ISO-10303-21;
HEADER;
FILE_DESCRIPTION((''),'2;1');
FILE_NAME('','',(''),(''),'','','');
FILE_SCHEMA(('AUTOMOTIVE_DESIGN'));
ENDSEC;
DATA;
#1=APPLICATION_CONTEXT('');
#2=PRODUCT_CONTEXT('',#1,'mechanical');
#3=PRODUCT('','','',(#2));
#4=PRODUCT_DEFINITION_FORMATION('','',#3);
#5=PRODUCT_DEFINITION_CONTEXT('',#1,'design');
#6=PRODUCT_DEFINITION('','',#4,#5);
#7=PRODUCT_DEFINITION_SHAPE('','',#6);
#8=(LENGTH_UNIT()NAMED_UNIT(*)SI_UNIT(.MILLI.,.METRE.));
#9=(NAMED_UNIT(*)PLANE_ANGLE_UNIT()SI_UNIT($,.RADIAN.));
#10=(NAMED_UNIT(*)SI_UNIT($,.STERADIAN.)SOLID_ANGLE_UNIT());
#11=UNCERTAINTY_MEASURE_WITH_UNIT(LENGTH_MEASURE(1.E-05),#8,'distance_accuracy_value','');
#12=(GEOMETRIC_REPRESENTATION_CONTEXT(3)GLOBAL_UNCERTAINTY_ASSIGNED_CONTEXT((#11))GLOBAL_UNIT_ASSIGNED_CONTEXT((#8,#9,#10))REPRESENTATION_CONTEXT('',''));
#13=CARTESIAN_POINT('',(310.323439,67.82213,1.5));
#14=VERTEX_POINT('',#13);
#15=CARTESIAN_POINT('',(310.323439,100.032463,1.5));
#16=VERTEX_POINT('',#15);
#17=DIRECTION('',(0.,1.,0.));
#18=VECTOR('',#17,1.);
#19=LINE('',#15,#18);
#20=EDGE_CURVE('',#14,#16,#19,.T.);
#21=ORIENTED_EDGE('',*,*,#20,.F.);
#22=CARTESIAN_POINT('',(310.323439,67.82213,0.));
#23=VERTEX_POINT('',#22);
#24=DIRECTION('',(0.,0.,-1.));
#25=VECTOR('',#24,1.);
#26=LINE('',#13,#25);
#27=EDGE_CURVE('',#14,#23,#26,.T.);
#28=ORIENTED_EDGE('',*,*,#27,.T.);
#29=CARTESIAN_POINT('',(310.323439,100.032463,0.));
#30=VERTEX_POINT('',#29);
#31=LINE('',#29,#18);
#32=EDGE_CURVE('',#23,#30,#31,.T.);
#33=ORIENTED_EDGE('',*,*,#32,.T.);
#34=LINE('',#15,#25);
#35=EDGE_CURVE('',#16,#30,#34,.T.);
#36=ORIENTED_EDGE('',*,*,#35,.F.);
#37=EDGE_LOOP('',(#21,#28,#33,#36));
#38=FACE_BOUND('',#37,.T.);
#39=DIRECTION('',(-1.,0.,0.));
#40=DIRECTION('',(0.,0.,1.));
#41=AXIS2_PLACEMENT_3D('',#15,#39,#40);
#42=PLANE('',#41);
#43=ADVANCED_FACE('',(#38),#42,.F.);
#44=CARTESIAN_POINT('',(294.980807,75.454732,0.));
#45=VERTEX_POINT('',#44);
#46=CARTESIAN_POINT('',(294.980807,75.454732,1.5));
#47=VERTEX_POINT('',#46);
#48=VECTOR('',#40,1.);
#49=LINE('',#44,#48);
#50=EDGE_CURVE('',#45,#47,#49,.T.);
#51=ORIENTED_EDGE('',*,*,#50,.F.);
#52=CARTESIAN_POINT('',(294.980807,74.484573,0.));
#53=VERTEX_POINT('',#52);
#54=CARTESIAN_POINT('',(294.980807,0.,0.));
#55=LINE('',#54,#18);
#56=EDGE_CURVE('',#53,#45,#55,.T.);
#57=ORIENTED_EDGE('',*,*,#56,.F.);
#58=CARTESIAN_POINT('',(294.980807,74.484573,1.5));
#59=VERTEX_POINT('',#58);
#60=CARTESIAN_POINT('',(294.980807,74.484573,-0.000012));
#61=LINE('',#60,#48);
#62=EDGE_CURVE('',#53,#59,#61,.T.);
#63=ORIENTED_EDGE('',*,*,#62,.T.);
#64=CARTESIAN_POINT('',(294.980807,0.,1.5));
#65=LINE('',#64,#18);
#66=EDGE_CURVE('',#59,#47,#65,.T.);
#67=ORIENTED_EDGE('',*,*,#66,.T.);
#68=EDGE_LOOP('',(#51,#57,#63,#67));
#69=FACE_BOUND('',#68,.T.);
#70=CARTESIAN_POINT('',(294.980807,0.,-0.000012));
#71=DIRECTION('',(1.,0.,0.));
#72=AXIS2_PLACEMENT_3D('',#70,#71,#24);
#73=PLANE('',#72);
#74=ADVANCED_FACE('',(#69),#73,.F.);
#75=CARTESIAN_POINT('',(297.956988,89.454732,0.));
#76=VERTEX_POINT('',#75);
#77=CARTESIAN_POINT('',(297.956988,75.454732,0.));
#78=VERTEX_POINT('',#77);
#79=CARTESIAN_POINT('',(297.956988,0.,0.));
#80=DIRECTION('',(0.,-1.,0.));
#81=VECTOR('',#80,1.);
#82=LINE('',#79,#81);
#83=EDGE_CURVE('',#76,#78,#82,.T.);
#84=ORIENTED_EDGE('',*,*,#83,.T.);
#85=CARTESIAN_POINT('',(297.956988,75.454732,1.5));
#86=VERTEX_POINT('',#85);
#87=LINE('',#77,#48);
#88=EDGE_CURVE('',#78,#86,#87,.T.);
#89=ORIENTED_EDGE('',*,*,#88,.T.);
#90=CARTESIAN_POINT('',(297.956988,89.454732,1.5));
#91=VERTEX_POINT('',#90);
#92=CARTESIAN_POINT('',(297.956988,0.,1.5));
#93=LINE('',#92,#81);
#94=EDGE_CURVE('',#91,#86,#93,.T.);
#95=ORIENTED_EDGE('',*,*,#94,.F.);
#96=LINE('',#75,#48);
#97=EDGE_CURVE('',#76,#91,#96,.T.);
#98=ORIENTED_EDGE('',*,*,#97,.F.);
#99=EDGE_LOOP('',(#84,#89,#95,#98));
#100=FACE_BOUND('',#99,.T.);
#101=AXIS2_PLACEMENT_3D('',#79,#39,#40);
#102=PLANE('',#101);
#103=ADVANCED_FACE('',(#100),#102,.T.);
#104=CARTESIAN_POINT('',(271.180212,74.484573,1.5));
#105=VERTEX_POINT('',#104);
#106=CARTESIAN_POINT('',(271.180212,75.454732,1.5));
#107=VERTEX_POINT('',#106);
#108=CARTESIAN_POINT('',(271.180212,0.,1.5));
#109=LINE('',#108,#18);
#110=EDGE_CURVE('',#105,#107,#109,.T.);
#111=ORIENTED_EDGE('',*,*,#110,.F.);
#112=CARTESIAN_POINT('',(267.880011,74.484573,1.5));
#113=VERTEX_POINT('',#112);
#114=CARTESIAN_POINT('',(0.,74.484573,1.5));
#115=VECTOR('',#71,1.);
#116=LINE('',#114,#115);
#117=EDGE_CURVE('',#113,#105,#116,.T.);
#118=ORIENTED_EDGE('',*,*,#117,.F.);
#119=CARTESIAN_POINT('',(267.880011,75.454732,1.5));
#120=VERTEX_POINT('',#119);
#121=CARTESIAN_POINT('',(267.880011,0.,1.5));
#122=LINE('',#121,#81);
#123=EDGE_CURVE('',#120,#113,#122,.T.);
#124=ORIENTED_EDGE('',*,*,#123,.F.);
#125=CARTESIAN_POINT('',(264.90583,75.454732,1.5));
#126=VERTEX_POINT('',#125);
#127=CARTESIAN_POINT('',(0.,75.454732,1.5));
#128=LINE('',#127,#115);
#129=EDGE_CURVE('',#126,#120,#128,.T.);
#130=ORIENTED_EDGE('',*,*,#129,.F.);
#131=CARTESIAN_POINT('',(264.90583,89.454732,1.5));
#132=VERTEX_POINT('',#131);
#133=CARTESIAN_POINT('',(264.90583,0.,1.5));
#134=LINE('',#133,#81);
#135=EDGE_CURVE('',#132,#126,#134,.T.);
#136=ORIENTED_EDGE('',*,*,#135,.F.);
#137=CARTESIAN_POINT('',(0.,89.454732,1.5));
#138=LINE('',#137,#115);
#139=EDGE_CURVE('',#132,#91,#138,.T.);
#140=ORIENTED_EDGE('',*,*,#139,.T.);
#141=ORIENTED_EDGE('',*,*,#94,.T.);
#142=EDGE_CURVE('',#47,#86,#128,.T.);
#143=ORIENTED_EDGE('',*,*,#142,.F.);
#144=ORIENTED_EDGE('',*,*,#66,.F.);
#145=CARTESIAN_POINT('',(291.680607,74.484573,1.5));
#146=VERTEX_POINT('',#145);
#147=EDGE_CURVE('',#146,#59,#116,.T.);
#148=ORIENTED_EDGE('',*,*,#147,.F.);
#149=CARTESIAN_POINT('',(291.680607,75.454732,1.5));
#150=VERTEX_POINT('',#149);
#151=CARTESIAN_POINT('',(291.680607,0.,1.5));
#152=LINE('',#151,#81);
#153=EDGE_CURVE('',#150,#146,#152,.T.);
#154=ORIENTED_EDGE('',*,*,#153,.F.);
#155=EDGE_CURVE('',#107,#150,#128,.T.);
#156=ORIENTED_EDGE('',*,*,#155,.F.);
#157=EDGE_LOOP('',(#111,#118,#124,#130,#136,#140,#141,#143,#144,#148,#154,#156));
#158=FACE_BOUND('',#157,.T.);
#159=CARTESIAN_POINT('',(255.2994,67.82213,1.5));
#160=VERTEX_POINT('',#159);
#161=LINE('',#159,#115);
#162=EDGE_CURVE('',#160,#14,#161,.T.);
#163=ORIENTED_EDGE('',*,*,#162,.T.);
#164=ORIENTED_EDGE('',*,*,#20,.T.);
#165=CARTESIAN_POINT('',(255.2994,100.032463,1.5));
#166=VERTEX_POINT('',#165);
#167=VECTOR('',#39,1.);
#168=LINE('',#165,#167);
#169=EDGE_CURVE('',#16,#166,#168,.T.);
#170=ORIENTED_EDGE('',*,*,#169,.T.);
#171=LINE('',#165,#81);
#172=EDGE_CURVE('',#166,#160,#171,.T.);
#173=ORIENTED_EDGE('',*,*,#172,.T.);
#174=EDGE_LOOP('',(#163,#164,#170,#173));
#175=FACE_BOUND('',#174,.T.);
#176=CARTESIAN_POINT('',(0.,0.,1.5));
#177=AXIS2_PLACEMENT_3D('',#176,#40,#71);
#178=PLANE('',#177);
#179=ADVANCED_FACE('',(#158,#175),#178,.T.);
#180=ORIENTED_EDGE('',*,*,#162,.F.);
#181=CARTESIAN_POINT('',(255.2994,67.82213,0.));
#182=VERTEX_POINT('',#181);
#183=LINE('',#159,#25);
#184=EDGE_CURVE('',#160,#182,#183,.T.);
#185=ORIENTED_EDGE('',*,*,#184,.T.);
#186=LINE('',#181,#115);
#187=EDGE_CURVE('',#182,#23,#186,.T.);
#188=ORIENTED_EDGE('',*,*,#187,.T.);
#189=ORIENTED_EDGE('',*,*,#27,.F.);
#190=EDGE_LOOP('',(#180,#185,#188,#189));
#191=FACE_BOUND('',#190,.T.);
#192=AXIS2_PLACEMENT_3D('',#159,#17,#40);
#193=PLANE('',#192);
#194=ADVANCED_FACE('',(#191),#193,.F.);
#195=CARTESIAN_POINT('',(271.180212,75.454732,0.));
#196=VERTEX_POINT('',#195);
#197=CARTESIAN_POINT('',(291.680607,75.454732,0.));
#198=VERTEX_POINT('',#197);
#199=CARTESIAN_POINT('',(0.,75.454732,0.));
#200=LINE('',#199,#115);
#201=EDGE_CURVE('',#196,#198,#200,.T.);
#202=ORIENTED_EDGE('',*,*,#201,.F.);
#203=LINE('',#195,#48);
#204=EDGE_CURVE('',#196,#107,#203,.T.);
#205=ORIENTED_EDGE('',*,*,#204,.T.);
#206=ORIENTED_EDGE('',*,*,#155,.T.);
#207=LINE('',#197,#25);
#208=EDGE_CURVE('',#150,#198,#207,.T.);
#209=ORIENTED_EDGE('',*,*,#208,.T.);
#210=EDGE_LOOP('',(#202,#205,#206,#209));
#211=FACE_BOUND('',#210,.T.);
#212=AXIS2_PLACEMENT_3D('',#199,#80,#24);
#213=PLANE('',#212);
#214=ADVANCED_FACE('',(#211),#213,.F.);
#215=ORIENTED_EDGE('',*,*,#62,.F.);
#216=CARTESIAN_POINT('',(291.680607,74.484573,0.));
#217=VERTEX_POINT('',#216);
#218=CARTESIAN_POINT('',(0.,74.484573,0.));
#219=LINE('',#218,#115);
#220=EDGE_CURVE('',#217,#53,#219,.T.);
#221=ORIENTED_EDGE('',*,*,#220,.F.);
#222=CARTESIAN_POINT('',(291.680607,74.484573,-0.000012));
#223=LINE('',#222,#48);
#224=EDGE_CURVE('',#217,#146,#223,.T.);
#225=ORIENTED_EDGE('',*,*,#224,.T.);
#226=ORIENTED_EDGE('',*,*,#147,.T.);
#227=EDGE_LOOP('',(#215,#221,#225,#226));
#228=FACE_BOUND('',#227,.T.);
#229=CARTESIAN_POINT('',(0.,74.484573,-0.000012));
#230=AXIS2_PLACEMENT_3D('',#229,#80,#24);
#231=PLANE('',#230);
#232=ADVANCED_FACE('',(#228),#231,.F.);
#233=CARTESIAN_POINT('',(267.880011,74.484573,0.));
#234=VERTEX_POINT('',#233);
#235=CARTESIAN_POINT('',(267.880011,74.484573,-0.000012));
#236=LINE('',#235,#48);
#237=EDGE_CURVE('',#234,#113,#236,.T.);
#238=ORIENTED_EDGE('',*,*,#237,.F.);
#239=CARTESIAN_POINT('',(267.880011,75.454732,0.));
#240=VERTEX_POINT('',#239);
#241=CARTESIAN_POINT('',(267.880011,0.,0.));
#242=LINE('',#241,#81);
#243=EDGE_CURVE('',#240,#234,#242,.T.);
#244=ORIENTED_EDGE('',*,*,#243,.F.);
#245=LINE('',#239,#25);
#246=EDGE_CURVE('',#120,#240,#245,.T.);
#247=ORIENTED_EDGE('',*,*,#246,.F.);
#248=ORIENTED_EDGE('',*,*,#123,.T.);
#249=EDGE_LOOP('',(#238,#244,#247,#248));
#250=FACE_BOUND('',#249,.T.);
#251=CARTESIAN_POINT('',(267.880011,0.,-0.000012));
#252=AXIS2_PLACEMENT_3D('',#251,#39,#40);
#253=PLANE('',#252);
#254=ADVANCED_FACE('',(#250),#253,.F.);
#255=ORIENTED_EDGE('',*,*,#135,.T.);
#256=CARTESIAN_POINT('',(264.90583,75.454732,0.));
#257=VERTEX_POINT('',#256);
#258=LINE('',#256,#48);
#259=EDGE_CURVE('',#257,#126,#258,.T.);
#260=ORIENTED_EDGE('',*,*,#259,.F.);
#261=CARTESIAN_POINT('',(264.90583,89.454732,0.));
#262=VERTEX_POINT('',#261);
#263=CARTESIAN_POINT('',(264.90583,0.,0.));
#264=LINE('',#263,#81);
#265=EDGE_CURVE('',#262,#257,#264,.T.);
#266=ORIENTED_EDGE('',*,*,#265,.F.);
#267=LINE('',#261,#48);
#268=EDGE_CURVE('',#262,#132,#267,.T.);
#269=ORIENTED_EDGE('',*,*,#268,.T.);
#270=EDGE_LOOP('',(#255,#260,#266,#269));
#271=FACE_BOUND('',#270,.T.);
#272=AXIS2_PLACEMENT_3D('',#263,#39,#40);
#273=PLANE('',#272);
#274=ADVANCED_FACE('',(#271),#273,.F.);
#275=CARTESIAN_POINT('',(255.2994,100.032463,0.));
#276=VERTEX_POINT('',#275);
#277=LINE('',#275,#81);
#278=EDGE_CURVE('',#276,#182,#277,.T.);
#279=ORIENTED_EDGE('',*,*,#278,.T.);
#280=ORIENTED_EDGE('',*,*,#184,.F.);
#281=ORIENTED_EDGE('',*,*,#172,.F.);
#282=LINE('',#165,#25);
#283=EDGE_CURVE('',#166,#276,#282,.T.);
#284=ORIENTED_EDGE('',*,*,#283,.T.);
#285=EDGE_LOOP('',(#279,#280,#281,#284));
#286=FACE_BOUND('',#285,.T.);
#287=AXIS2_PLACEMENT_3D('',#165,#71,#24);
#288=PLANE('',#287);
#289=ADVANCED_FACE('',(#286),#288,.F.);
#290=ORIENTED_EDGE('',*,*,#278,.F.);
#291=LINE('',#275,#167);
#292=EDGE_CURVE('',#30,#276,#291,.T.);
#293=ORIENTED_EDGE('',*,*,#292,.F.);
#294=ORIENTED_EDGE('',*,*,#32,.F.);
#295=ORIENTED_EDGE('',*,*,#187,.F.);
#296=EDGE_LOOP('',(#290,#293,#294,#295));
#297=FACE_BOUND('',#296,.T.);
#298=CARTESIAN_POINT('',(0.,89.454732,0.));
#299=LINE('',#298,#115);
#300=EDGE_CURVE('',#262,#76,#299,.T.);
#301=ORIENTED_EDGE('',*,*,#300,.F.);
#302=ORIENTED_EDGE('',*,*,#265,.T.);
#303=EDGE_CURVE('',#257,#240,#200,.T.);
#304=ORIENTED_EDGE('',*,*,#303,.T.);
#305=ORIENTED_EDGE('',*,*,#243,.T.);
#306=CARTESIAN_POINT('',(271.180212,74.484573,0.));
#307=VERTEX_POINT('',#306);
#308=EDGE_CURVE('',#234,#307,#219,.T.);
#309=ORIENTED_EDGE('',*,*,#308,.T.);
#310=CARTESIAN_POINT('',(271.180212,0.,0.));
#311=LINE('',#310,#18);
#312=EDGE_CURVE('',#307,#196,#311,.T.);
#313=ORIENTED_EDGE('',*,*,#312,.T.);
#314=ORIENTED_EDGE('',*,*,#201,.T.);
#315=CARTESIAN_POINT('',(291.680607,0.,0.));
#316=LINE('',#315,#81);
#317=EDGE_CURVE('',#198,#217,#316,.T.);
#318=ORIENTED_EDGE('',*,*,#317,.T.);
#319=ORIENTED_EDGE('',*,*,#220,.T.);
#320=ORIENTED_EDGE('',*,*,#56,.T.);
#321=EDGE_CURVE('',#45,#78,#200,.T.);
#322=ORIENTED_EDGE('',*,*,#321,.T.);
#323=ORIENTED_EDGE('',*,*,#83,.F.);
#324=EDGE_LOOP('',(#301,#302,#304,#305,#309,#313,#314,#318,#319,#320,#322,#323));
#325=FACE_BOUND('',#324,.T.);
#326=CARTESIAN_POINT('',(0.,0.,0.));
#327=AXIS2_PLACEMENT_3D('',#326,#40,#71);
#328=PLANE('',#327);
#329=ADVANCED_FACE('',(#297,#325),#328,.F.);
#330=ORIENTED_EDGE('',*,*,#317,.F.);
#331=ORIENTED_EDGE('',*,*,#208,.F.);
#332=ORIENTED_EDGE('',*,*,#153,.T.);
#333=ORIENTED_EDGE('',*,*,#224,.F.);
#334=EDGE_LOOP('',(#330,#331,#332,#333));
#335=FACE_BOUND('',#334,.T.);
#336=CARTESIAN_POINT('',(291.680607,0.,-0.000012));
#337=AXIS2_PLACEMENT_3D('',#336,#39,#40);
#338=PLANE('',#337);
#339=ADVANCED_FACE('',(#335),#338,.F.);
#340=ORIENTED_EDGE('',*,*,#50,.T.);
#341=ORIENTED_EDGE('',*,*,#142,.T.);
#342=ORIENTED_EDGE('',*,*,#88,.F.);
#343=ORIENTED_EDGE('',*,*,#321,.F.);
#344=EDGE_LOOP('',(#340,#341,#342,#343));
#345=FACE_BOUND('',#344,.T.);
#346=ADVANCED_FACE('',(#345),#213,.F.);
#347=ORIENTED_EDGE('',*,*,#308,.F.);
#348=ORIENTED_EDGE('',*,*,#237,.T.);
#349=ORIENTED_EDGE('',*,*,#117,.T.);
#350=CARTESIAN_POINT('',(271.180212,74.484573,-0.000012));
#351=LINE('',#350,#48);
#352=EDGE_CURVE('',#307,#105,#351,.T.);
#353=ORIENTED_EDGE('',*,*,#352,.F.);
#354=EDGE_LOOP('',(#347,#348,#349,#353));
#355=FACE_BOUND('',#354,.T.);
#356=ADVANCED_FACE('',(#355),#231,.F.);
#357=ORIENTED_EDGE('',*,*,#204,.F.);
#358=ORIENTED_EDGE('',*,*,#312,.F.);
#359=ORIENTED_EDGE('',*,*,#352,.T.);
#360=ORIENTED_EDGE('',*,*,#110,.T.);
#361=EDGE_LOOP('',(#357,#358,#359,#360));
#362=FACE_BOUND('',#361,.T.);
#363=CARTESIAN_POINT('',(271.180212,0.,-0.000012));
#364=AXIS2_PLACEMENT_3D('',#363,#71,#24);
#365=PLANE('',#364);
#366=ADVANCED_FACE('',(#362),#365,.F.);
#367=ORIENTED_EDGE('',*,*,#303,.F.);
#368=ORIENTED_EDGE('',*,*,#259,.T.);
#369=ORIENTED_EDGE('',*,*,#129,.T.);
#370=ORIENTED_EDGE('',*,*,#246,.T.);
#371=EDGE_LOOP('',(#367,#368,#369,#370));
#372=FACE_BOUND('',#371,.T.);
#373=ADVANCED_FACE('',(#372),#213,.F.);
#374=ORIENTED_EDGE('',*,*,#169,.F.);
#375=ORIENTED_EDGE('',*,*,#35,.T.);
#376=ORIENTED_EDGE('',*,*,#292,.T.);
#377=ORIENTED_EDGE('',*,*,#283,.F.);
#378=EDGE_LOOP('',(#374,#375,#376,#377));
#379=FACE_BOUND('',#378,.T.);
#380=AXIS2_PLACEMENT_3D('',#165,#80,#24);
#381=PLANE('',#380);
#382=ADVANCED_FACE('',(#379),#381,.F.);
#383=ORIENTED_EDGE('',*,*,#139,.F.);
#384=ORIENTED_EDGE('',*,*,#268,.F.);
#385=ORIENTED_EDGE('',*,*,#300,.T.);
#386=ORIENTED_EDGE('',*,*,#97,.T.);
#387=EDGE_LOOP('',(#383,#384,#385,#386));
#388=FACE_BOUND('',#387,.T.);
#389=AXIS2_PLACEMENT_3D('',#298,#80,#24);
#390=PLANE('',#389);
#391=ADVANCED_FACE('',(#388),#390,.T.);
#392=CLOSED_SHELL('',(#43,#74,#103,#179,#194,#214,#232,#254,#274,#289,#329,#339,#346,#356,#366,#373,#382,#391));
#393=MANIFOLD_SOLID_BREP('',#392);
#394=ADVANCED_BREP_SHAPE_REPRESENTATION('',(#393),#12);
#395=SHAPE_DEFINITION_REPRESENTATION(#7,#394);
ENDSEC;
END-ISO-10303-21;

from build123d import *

# Parameters (mm, degrees)
SKETCH3_W               = 55.024039141
SKETCH3_H               = 32.210333873
BOSS_EXTRUDE1_DEPTH     = 1.5
SKETCH4_W               = 14
SKETCH4_H               = 14
CUT_EXTRUDE1_DEPTH      = 1.5
CUT_EXTRUDE4_DEPTH      = 327.051192929
CUT_EXTRUDE4_DEPTH_BACK = 327.051192929


with BuildPart() as part:
    # Sketch3 → Boss-Extrude1 (new body)
    with BuildSketch(Plane.XY):
        with Locations((282.811419242, 83.927296462)):
            Rectangle(SKETCH3_W, SKETCH3_H)
    extrude(amount=BOSS_EXTRUDE1_DEPTH)

    # Sketch4 → Cut-Extrude1 (cut)
    with BuildSketch(Plane.XY.offset(1.5)):
        with Locations((271.905830275, 82.45473243)):
            Rectangle(SKETCH4_W, SKETCH4_H)
        with Locations((290.956988381, 82.45473243)):
            Rectangle(SKETCH4_W, SKETCH4_H)
    extrude(amount=-CUT_EXTRUDE1_DEPTH, mode=Mode.SUBTRACT)

    # Sketch1 → Cut-Extrude4 (cut, two sides: drawn at the far end of the back side and taken through both)
    with BuildSketch(Plane.XY.offset(-CUT_EXTRUDE4_DEPTH_BACK)):
        Polygon((272.906316619, 84.755597823), (272.906316619, 87.985794184), (266.155906266, 87.985794184), (266.155906266, 84.755597823), (265.330856112, 84.755597823), (265.330856112, 81.955427603), (266.155906266, 81.955427603), (266.155906266, 75.684746413), (267.880011074, 75.684746413), (267.880011074, 74.484573455), (271.18021169, 74.484573455), (271.18021169, 75.684746413), (272.906316619, 75.684746413), (272.906316619, 80.155418181), (274.431409328, 80.155418181), (274.431409328, 75.45473243), (288.431409328, 75.45473243), (288.431409328, 80.155418181), (289.956502038, 80.155418181), (289.956502038, 75.684746413), (291.680606845, 75.684746413), (291.680606845, 74.484573455), (294.980807461, 74.484573455), (294.980807461, 75.684746413), (296.70691239, 75.684746413), (296.70691239, 81.955427603), (297.530962483, 81.955427603), (297.530962483, 84.755446764), (296.70691239, 84.755446764), (296.70691239, 87.985643125), (289.956502038, 87.985643125), (289.956502038, 84.755446764), (288.431409328, 84.755446764), (288.431409328, 89.45473243), (274.431409328, 89.45473243), (274.431409328, 84.755597823), align=None)
    extrude(amount=CUT_EXTRUDE4_DEPTH + CUT_EXTRUDE4_DEPTH_BACK, mode=Mode.SUBTRACT)


solid = part.part
